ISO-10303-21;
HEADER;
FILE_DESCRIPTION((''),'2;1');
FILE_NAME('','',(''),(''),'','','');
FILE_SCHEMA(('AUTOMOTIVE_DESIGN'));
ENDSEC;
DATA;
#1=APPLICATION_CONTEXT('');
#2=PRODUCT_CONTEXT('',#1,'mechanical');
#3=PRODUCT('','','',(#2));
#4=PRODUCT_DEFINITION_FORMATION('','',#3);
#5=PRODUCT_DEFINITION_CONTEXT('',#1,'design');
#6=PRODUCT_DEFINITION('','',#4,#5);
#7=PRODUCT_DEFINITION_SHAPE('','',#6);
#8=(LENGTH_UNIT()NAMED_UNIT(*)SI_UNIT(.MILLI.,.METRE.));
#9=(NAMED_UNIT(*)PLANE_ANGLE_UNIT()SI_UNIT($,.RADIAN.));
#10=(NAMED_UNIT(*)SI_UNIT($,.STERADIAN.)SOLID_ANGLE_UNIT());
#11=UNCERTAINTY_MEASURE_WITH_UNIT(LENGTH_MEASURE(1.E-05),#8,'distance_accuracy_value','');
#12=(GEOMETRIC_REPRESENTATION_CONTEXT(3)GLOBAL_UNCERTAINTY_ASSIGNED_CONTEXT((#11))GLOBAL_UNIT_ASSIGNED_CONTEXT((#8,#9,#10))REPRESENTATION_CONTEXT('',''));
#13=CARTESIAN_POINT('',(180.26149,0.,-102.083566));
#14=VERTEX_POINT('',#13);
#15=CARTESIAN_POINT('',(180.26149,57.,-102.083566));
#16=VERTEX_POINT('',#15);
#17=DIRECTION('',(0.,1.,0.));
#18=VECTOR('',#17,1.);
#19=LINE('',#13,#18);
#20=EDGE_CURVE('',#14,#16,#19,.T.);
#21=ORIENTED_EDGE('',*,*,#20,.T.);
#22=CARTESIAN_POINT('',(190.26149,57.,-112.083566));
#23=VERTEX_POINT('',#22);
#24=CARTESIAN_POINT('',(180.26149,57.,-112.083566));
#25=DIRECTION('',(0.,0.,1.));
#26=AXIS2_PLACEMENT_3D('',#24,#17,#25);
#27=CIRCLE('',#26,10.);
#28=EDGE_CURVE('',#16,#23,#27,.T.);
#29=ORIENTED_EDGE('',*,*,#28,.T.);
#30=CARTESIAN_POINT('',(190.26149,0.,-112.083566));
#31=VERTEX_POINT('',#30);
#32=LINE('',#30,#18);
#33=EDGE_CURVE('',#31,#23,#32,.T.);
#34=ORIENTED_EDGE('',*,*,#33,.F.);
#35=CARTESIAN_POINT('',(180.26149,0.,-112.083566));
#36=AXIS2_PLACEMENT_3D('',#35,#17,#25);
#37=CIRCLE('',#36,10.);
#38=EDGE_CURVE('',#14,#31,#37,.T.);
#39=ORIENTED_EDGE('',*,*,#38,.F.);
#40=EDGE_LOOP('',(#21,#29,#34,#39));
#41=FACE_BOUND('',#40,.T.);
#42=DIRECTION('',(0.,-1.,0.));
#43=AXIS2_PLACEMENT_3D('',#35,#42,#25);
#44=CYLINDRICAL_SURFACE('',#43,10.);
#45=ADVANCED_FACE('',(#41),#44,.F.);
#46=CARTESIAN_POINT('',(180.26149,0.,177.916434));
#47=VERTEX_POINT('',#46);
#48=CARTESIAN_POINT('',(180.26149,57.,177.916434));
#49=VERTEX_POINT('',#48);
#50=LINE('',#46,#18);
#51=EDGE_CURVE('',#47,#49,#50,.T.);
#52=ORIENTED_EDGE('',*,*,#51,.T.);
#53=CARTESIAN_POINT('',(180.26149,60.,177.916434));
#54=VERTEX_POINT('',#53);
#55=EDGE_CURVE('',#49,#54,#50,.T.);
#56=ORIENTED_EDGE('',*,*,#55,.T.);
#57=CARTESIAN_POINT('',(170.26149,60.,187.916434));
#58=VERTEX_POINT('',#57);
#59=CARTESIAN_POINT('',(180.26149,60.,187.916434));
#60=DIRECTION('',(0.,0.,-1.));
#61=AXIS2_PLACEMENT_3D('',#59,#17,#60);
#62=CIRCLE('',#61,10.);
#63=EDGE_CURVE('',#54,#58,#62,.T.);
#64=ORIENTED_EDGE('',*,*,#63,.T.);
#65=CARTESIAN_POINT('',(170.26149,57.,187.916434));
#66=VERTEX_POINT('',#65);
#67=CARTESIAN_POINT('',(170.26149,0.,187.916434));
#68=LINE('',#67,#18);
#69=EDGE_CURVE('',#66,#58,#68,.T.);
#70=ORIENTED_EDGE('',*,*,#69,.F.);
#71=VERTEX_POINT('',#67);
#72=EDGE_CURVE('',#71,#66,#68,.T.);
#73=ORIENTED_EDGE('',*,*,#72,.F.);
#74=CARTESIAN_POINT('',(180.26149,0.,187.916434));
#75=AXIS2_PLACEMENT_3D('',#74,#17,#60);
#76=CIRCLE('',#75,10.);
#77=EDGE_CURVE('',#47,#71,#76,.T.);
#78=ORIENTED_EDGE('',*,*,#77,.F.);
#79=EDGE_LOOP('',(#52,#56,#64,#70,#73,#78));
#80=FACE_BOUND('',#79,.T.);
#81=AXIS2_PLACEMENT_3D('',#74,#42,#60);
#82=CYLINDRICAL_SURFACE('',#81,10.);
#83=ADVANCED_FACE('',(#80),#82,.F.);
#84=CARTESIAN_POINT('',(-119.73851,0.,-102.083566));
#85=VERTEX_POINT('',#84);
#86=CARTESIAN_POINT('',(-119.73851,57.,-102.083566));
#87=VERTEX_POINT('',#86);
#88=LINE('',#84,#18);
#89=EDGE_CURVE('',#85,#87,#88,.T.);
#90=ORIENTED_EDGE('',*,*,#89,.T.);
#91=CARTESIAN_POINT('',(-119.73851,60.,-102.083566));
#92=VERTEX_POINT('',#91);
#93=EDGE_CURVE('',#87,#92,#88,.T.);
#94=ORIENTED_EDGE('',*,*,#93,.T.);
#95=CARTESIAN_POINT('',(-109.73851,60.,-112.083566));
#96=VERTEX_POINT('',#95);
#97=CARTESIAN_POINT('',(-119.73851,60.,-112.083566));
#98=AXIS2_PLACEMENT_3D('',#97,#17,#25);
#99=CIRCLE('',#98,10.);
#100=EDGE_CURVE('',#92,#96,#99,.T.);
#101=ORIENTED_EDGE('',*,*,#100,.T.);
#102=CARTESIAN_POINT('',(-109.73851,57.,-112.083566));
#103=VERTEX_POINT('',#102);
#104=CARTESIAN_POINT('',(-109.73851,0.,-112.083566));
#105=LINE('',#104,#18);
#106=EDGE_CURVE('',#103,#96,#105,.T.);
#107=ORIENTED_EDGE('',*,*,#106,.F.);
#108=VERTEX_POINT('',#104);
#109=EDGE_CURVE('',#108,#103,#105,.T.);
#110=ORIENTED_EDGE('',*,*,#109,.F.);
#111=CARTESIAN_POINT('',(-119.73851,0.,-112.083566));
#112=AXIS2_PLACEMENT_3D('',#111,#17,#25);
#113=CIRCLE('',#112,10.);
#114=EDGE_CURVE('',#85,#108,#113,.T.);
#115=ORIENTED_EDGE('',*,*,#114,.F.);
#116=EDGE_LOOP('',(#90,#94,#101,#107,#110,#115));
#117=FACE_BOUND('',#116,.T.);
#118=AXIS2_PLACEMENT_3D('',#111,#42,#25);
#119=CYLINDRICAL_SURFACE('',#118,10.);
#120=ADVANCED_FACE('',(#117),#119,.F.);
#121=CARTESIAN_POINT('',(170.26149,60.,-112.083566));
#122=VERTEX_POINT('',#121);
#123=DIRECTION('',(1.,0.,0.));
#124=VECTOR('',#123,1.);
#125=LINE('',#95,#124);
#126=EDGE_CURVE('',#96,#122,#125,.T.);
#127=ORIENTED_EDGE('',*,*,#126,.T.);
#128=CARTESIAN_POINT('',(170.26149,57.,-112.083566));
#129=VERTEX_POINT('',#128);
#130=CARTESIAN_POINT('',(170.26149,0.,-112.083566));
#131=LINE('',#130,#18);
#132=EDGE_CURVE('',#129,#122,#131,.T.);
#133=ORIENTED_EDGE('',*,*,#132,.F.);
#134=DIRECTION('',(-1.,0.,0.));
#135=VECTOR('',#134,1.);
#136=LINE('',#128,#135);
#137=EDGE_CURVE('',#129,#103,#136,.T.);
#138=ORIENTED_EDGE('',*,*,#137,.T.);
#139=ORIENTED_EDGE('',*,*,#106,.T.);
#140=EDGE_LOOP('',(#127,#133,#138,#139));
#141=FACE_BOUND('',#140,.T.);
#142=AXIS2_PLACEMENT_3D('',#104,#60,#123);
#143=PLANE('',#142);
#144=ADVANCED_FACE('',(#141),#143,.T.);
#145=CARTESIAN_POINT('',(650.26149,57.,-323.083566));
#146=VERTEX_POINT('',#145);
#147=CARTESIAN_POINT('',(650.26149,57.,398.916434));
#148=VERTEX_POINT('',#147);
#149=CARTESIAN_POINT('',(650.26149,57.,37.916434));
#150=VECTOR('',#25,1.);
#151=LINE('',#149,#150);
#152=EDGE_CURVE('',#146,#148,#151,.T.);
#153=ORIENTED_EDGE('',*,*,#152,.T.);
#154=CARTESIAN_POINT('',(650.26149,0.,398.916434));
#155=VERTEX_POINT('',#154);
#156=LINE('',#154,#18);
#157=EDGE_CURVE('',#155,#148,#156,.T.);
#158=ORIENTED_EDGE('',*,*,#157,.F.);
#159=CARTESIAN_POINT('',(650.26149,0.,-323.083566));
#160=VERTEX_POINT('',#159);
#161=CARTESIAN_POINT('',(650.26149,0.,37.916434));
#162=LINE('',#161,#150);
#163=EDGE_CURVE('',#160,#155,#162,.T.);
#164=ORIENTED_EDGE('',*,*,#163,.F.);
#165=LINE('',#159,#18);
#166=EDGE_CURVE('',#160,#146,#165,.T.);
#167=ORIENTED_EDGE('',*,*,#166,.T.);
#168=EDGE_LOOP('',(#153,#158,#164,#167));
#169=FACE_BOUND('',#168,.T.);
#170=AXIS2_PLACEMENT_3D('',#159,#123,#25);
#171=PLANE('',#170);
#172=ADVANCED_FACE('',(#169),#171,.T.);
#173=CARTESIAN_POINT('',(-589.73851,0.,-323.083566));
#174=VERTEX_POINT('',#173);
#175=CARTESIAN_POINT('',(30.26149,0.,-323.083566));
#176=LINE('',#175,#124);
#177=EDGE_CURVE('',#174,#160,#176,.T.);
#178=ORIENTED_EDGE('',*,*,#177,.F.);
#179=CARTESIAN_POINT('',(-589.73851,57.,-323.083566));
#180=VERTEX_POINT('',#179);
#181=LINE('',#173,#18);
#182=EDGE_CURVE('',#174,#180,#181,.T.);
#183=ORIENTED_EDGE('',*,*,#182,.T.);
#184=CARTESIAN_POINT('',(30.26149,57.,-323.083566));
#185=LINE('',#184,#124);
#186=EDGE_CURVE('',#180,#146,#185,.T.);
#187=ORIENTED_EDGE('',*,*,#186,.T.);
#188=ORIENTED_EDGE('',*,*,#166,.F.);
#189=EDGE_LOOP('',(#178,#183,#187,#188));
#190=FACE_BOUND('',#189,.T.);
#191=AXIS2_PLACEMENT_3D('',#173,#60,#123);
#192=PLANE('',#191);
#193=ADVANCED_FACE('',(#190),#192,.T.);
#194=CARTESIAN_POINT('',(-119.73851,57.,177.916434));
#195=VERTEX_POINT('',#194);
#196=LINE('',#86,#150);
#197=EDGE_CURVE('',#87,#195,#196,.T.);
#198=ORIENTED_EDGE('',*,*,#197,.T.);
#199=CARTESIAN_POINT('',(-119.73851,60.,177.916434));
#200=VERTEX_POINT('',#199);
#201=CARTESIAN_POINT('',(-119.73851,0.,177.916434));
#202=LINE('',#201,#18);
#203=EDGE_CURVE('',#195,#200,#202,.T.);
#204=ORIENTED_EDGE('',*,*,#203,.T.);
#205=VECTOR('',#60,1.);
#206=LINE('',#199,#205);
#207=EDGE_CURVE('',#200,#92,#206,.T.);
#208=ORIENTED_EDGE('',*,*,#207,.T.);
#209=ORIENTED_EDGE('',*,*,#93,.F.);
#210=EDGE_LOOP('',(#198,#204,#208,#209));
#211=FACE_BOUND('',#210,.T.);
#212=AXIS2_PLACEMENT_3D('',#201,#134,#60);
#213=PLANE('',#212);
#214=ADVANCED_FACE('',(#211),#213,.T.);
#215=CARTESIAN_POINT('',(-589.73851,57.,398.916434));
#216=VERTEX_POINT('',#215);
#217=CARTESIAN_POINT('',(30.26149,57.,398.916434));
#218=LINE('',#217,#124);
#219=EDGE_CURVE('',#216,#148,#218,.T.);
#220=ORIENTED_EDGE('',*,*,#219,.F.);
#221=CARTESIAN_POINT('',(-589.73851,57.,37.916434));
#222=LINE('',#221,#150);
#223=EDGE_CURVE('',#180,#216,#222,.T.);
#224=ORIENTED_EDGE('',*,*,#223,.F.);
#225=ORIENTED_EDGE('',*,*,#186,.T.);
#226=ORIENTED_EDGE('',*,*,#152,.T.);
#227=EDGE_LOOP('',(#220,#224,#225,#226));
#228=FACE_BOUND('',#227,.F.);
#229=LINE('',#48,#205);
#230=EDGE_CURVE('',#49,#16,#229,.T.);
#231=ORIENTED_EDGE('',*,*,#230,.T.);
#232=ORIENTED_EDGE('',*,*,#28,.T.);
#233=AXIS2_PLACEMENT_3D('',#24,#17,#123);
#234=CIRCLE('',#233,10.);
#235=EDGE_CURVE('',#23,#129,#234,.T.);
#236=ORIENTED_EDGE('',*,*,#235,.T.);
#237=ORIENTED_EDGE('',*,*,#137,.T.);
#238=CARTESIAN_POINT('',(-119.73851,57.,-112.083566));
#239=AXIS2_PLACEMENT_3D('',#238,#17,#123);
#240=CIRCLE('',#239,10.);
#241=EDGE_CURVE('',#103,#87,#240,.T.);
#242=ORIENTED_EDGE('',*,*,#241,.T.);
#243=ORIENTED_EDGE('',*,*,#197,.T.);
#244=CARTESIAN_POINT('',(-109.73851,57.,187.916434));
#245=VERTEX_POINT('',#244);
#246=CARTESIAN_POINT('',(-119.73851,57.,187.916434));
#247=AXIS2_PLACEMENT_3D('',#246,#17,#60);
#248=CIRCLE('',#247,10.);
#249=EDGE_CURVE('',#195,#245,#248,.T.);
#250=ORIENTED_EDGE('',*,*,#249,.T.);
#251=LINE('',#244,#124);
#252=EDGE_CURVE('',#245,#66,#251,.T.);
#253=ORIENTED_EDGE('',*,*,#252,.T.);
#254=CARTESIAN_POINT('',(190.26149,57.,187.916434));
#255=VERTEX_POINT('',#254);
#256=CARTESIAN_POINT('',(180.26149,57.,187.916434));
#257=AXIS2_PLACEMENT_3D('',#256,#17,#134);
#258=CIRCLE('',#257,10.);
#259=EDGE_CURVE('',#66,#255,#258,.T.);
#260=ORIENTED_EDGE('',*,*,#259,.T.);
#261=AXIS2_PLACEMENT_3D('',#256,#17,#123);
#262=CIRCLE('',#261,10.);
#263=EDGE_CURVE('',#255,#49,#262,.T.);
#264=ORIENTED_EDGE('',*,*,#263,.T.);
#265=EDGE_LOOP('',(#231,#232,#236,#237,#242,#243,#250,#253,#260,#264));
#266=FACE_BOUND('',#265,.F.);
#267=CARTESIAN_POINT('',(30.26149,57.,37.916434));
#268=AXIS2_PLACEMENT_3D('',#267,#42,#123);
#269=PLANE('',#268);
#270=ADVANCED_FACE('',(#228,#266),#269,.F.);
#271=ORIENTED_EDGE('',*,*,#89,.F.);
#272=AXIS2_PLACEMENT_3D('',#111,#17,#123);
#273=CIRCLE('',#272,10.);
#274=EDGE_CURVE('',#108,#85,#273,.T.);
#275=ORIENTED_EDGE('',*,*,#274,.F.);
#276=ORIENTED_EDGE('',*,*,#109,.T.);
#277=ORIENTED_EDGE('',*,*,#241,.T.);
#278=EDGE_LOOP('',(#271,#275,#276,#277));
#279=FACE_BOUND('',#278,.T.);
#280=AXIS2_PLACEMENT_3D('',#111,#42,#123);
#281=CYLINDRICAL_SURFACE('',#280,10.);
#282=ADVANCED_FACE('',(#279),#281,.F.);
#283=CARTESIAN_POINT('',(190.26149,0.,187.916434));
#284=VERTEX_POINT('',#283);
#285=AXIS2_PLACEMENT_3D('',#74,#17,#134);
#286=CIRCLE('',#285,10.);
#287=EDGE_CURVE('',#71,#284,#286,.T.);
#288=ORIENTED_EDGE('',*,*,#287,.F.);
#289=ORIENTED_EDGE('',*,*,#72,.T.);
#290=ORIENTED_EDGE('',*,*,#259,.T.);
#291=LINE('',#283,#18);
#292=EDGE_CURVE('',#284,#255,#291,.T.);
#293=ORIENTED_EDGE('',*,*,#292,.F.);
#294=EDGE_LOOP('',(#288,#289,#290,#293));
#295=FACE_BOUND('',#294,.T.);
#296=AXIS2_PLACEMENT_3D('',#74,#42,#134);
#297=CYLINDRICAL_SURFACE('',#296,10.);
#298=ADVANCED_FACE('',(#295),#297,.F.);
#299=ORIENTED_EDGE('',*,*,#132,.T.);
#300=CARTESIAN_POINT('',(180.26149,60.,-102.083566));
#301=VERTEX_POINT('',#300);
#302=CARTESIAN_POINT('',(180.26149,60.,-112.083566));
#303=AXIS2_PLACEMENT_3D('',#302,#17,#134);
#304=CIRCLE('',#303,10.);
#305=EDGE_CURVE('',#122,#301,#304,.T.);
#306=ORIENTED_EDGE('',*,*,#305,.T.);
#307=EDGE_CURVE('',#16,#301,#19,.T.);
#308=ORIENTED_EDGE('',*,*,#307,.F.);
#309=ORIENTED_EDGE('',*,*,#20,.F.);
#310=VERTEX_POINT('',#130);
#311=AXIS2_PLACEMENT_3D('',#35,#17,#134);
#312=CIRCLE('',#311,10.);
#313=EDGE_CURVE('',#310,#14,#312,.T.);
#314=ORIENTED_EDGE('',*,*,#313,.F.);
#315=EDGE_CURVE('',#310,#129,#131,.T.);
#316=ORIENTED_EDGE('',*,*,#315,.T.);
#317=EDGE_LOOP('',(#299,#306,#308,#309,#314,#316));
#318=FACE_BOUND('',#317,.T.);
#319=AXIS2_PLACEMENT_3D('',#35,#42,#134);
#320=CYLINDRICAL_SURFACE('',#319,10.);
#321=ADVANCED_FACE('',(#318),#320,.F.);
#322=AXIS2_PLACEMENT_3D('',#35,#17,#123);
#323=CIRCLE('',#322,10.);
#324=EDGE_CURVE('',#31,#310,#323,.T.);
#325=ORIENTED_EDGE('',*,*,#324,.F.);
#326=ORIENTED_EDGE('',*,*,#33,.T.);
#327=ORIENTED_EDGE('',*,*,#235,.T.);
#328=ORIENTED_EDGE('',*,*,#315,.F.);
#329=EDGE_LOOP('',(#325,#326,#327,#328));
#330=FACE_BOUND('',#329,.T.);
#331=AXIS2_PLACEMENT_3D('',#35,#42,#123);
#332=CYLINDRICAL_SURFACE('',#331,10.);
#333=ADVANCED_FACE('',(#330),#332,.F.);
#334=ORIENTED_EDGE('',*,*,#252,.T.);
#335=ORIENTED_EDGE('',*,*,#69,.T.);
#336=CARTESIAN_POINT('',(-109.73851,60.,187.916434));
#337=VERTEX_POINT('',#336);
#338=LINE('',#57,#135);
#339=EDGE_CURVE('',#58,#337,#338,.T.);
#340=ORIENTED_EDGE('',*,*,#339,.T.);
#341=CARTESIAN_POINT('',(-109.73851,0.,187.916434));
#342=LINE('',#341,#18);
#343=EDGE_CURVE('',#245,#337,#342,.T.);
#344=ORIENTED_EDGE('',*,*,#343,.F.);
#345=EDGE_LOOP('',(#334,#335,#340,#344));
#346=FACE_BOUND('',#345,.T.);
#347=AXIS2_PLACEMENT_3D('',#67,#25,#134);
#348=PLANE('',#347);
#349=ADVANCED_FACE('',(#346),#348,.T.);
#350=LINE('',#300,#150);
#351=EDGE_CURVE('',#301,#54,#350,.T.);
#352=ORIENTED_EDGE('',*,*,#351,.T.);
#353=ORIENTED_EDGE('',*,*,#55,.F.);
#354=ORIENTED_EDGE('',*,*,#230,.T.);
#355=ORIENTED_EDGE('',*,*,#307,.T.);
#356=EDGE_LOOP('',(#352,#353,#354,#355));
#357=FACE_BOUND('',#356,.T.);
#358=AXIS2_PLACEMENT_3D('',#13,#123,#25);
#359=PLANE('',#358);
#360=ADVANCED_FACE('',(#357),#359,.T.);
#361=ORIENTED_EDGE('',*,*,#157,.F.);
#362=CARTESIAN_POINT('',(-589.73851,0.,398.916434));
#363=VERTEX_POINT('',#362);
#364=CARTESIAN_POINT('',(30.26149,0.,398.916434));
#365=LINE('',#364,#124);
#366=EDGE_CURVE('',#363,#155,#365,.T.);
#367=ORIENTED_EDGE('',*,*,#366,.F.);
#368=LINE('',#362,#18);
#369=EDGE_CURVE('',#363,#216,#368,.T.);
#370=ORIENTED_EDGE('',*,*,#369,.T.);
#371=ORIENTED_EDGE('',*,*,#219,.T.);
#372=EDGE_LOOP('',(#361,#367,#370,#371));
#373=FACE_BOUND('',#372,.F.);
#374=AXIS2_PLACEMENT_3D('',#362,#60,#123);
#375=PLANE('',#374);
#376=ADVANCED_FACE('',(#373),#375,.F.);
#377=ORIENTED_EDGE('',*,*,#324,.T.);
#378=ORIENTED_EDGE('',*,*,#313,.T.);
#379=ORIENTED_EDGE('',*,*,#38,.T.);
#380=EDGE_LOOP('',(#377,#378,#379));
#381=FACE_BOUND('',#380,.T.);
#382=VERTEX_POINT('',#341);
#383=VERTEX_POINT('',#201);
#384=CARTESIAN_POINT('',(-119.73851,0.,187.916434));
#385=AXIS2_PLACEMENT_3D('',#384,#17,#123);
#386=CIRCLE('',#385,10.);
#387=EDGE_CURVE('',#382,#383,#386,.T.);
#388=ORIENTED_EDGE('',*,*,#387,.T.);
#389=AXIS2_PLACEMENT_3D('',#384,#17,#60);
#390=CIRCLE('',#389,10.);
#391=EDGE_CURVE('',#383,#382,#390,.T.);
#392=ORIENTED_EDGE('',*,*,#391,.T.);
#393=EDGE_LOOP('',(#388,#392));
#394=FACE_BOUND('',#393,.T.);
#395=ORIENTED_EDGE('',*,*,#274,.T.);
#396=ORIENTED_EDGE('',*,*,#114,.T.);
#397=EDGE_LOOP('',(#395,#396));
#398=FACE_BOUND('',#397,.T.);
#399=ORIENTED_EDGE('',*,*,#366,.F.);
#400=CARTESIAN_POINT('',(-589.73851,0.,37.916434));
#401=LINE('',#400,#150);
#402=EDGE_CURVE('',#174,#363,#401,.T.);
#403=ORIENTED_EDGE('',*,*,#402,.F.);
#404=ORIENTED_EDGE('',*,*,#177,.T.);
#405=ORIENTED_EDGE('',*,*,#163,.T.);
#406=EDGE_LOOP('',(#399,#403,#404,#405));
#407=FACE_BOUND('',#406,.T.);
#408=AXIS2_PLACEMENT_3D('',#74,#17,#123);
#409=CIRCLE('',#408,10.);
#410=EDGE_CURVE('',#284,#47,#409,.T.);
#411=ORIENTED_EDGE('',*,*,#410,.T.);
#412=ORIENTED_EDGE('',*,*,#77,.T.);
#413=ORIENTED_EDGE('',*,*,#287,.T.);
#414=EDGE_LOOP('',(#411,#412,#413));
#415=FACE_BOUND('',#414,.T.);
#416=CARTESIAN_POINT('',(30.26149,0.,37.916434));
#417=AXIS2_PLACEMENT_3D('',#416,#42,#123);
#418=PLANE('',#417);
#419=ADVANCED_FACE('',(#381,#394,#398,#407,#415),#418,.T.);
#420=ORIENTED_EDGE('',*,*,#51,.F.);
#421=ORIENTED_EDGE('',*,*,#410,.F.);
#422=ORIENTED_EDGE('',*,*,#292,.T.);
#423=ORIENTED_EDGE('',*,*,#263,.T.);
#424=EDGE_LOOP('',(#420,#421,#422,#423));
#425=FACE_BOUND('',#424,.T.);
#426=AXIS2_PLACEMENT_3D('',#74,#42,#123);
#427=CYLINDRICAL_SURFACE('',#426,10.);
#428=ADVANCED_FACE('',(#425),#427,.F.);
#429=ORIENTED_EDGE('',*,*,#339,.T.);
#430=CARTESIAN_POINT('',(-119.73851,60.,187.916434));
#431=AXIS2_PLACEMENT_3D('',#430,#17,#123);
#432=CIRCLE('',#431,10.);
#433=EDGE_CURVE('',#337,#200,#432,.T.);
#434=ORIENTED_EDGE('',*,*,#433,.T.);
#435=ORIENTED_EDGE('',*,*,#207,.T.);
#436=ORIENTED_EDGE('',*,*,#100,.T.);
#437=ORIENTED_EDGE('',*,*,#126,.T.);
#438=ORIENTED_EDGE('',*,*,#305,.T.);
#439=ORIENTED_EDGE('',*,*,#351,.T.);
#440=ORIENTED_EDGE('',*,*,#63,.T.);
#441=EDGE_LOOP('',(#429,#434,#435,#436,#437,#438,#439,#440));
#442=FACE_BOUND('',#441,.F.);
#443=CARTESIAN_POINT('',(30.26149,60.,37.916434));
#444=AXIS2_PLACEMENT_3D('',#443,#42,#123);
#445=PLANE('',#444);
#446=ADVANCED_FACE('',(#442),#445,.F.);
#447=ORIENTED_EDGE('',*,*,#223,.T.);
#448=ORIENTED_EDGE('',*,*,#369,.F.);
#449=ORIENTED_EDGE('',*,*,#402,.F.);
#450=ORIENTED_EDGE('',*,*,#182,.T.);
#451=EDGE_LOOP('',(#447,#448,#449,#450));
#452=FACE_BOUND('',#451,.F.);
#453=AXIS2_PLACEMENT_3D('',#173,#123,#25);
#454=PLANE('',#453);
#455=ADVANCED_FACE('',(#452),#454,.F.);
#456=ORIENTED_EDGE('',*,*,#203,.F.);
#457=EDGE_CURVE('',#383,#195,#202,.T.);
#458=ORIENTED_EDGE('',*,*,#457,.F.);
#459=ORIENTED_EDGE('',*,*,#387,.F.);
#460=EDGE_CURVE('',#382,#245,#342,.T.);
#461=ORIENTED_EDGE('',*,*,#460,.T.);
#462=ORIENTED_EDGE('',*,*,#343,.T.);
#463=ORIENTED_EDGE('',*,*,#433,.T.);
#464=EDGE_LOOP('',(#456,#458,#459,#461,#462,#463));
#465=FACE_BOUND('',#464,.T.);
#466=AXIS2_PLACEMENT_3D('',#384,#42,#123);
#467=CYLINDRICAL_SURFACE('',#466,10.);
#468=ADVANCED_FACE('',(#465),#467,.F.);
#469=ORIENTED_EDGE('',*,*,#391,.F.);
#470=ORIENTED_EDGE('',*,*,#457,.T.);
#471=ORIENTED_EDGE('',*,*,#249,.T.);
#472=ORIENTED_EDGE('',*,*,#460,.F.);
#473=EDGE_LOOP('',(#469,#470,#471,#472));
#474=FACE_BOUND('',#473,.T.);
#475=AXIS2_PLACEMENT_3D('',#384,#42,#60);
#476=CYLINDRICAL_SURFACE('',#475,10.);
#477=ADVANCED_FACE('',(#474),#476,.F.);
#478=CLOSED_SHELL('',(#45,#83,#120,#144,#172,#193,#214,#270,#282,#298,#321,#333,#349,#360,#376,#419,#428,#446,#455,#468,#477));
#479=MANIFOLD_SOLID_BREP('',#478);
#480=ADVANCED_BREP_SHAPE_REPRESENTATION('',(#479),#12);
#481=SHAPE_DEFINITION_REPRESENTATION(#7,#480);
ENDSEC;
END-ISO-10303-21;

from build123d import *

# Parameters (mm, degrees)
F0_W     = 1240
F0_H     = 722
F1_DEPTH = 57
F2_DEPTH = 60


with BuildPart() as f1:
    # F0 (on Front) → F1 (new body)
    with BuildSketch(Plane.XZ):
        with Locations((30.261490494, 37.9164335803)):
            Rectangle(F0_W, F0_H)
        with BuildLine():
            ThreePointArc((-119.738509506, 177.9164335803), (-126.8095773179, 194.9875013922), (-109.738509506, 187.9164335803))
            Line((-109.738509506, 187.9164335803), (170.261490494, 187.9164335803))
            ThreePointArc((170.261490494, 187.9164335803), (180.261490494, 197.9164335803), (190.261490494, 187.9164335803))
            ThreePointArc((190.261490494, 187.9164335803), (187.3325583059, 180.8453657684), (180.261490494, 177.9164335803))
            Line((180.261490494, 177.9164335803), (180.261490494, -102.0835664197))
            ThreePointArc((180.261490494, -102.0835664197), (187.3325583059, -105.0124986078), (190.261490494, -112.0835664197))
            ThreePointArc((190.261490494, -112.0835664197), (180.261490494, -122.0835664197), (170.261490494, -112.0835664197))
            Line((170.261490494, -112.0835664197), (-109.738509506, -112.0835664197))
            ThreePointArc((-109.738509506, -112.0835664197), (-126.8095773179, -119.1546342316), (-119.738509506, -102.0835664197))
            Line((-119.738509506, -102.0835664197), (-119.738509506, 177.9164335803))
        make_face(mode=Mode.SUBTRACT)
    extrude(amount=-F1_DEPTH)

    # F0 (on Front) → F2 (join)
    with BuildSketch(Plane.XZ):
        with BuildLine():
            Line((170.261490494, 187.9164335803), (-109.738509506, 187.9164335803))
            ThreePointArc((-109.738509506, 187.9164335803), (-112.6674416941, 180.8453657684), (-119.738509506, 177.9164335803))
            Line((-119.738509506, 177.9164335803), (-119.738509506, -102.0835664197))
            ThreePointArc((-119.738509506, -102.0835664197), (-112.6674416941, -105.0124986078), (-109.738509506, -112.0835664197))
            Line((-109.738509506, -112.0835664197), (170.261490494, -112.0835664197))
            ThreePointArc((170.261490494, -112.0835664197), (173.1904226821, -105.0124986078), (180.261490494, -102.0835664197))
            Line((180.261490494, -102.0835664197), (180.261490494, 177.9164335803))
            ThreePointArc((180.261490494, 177.9164335803), (173.1904226821, 180.8453657684), (170.261490494, 187.9164335803))
        make_face()
    extrude(amount=-F2_DEPTH)


solid = f1.part
